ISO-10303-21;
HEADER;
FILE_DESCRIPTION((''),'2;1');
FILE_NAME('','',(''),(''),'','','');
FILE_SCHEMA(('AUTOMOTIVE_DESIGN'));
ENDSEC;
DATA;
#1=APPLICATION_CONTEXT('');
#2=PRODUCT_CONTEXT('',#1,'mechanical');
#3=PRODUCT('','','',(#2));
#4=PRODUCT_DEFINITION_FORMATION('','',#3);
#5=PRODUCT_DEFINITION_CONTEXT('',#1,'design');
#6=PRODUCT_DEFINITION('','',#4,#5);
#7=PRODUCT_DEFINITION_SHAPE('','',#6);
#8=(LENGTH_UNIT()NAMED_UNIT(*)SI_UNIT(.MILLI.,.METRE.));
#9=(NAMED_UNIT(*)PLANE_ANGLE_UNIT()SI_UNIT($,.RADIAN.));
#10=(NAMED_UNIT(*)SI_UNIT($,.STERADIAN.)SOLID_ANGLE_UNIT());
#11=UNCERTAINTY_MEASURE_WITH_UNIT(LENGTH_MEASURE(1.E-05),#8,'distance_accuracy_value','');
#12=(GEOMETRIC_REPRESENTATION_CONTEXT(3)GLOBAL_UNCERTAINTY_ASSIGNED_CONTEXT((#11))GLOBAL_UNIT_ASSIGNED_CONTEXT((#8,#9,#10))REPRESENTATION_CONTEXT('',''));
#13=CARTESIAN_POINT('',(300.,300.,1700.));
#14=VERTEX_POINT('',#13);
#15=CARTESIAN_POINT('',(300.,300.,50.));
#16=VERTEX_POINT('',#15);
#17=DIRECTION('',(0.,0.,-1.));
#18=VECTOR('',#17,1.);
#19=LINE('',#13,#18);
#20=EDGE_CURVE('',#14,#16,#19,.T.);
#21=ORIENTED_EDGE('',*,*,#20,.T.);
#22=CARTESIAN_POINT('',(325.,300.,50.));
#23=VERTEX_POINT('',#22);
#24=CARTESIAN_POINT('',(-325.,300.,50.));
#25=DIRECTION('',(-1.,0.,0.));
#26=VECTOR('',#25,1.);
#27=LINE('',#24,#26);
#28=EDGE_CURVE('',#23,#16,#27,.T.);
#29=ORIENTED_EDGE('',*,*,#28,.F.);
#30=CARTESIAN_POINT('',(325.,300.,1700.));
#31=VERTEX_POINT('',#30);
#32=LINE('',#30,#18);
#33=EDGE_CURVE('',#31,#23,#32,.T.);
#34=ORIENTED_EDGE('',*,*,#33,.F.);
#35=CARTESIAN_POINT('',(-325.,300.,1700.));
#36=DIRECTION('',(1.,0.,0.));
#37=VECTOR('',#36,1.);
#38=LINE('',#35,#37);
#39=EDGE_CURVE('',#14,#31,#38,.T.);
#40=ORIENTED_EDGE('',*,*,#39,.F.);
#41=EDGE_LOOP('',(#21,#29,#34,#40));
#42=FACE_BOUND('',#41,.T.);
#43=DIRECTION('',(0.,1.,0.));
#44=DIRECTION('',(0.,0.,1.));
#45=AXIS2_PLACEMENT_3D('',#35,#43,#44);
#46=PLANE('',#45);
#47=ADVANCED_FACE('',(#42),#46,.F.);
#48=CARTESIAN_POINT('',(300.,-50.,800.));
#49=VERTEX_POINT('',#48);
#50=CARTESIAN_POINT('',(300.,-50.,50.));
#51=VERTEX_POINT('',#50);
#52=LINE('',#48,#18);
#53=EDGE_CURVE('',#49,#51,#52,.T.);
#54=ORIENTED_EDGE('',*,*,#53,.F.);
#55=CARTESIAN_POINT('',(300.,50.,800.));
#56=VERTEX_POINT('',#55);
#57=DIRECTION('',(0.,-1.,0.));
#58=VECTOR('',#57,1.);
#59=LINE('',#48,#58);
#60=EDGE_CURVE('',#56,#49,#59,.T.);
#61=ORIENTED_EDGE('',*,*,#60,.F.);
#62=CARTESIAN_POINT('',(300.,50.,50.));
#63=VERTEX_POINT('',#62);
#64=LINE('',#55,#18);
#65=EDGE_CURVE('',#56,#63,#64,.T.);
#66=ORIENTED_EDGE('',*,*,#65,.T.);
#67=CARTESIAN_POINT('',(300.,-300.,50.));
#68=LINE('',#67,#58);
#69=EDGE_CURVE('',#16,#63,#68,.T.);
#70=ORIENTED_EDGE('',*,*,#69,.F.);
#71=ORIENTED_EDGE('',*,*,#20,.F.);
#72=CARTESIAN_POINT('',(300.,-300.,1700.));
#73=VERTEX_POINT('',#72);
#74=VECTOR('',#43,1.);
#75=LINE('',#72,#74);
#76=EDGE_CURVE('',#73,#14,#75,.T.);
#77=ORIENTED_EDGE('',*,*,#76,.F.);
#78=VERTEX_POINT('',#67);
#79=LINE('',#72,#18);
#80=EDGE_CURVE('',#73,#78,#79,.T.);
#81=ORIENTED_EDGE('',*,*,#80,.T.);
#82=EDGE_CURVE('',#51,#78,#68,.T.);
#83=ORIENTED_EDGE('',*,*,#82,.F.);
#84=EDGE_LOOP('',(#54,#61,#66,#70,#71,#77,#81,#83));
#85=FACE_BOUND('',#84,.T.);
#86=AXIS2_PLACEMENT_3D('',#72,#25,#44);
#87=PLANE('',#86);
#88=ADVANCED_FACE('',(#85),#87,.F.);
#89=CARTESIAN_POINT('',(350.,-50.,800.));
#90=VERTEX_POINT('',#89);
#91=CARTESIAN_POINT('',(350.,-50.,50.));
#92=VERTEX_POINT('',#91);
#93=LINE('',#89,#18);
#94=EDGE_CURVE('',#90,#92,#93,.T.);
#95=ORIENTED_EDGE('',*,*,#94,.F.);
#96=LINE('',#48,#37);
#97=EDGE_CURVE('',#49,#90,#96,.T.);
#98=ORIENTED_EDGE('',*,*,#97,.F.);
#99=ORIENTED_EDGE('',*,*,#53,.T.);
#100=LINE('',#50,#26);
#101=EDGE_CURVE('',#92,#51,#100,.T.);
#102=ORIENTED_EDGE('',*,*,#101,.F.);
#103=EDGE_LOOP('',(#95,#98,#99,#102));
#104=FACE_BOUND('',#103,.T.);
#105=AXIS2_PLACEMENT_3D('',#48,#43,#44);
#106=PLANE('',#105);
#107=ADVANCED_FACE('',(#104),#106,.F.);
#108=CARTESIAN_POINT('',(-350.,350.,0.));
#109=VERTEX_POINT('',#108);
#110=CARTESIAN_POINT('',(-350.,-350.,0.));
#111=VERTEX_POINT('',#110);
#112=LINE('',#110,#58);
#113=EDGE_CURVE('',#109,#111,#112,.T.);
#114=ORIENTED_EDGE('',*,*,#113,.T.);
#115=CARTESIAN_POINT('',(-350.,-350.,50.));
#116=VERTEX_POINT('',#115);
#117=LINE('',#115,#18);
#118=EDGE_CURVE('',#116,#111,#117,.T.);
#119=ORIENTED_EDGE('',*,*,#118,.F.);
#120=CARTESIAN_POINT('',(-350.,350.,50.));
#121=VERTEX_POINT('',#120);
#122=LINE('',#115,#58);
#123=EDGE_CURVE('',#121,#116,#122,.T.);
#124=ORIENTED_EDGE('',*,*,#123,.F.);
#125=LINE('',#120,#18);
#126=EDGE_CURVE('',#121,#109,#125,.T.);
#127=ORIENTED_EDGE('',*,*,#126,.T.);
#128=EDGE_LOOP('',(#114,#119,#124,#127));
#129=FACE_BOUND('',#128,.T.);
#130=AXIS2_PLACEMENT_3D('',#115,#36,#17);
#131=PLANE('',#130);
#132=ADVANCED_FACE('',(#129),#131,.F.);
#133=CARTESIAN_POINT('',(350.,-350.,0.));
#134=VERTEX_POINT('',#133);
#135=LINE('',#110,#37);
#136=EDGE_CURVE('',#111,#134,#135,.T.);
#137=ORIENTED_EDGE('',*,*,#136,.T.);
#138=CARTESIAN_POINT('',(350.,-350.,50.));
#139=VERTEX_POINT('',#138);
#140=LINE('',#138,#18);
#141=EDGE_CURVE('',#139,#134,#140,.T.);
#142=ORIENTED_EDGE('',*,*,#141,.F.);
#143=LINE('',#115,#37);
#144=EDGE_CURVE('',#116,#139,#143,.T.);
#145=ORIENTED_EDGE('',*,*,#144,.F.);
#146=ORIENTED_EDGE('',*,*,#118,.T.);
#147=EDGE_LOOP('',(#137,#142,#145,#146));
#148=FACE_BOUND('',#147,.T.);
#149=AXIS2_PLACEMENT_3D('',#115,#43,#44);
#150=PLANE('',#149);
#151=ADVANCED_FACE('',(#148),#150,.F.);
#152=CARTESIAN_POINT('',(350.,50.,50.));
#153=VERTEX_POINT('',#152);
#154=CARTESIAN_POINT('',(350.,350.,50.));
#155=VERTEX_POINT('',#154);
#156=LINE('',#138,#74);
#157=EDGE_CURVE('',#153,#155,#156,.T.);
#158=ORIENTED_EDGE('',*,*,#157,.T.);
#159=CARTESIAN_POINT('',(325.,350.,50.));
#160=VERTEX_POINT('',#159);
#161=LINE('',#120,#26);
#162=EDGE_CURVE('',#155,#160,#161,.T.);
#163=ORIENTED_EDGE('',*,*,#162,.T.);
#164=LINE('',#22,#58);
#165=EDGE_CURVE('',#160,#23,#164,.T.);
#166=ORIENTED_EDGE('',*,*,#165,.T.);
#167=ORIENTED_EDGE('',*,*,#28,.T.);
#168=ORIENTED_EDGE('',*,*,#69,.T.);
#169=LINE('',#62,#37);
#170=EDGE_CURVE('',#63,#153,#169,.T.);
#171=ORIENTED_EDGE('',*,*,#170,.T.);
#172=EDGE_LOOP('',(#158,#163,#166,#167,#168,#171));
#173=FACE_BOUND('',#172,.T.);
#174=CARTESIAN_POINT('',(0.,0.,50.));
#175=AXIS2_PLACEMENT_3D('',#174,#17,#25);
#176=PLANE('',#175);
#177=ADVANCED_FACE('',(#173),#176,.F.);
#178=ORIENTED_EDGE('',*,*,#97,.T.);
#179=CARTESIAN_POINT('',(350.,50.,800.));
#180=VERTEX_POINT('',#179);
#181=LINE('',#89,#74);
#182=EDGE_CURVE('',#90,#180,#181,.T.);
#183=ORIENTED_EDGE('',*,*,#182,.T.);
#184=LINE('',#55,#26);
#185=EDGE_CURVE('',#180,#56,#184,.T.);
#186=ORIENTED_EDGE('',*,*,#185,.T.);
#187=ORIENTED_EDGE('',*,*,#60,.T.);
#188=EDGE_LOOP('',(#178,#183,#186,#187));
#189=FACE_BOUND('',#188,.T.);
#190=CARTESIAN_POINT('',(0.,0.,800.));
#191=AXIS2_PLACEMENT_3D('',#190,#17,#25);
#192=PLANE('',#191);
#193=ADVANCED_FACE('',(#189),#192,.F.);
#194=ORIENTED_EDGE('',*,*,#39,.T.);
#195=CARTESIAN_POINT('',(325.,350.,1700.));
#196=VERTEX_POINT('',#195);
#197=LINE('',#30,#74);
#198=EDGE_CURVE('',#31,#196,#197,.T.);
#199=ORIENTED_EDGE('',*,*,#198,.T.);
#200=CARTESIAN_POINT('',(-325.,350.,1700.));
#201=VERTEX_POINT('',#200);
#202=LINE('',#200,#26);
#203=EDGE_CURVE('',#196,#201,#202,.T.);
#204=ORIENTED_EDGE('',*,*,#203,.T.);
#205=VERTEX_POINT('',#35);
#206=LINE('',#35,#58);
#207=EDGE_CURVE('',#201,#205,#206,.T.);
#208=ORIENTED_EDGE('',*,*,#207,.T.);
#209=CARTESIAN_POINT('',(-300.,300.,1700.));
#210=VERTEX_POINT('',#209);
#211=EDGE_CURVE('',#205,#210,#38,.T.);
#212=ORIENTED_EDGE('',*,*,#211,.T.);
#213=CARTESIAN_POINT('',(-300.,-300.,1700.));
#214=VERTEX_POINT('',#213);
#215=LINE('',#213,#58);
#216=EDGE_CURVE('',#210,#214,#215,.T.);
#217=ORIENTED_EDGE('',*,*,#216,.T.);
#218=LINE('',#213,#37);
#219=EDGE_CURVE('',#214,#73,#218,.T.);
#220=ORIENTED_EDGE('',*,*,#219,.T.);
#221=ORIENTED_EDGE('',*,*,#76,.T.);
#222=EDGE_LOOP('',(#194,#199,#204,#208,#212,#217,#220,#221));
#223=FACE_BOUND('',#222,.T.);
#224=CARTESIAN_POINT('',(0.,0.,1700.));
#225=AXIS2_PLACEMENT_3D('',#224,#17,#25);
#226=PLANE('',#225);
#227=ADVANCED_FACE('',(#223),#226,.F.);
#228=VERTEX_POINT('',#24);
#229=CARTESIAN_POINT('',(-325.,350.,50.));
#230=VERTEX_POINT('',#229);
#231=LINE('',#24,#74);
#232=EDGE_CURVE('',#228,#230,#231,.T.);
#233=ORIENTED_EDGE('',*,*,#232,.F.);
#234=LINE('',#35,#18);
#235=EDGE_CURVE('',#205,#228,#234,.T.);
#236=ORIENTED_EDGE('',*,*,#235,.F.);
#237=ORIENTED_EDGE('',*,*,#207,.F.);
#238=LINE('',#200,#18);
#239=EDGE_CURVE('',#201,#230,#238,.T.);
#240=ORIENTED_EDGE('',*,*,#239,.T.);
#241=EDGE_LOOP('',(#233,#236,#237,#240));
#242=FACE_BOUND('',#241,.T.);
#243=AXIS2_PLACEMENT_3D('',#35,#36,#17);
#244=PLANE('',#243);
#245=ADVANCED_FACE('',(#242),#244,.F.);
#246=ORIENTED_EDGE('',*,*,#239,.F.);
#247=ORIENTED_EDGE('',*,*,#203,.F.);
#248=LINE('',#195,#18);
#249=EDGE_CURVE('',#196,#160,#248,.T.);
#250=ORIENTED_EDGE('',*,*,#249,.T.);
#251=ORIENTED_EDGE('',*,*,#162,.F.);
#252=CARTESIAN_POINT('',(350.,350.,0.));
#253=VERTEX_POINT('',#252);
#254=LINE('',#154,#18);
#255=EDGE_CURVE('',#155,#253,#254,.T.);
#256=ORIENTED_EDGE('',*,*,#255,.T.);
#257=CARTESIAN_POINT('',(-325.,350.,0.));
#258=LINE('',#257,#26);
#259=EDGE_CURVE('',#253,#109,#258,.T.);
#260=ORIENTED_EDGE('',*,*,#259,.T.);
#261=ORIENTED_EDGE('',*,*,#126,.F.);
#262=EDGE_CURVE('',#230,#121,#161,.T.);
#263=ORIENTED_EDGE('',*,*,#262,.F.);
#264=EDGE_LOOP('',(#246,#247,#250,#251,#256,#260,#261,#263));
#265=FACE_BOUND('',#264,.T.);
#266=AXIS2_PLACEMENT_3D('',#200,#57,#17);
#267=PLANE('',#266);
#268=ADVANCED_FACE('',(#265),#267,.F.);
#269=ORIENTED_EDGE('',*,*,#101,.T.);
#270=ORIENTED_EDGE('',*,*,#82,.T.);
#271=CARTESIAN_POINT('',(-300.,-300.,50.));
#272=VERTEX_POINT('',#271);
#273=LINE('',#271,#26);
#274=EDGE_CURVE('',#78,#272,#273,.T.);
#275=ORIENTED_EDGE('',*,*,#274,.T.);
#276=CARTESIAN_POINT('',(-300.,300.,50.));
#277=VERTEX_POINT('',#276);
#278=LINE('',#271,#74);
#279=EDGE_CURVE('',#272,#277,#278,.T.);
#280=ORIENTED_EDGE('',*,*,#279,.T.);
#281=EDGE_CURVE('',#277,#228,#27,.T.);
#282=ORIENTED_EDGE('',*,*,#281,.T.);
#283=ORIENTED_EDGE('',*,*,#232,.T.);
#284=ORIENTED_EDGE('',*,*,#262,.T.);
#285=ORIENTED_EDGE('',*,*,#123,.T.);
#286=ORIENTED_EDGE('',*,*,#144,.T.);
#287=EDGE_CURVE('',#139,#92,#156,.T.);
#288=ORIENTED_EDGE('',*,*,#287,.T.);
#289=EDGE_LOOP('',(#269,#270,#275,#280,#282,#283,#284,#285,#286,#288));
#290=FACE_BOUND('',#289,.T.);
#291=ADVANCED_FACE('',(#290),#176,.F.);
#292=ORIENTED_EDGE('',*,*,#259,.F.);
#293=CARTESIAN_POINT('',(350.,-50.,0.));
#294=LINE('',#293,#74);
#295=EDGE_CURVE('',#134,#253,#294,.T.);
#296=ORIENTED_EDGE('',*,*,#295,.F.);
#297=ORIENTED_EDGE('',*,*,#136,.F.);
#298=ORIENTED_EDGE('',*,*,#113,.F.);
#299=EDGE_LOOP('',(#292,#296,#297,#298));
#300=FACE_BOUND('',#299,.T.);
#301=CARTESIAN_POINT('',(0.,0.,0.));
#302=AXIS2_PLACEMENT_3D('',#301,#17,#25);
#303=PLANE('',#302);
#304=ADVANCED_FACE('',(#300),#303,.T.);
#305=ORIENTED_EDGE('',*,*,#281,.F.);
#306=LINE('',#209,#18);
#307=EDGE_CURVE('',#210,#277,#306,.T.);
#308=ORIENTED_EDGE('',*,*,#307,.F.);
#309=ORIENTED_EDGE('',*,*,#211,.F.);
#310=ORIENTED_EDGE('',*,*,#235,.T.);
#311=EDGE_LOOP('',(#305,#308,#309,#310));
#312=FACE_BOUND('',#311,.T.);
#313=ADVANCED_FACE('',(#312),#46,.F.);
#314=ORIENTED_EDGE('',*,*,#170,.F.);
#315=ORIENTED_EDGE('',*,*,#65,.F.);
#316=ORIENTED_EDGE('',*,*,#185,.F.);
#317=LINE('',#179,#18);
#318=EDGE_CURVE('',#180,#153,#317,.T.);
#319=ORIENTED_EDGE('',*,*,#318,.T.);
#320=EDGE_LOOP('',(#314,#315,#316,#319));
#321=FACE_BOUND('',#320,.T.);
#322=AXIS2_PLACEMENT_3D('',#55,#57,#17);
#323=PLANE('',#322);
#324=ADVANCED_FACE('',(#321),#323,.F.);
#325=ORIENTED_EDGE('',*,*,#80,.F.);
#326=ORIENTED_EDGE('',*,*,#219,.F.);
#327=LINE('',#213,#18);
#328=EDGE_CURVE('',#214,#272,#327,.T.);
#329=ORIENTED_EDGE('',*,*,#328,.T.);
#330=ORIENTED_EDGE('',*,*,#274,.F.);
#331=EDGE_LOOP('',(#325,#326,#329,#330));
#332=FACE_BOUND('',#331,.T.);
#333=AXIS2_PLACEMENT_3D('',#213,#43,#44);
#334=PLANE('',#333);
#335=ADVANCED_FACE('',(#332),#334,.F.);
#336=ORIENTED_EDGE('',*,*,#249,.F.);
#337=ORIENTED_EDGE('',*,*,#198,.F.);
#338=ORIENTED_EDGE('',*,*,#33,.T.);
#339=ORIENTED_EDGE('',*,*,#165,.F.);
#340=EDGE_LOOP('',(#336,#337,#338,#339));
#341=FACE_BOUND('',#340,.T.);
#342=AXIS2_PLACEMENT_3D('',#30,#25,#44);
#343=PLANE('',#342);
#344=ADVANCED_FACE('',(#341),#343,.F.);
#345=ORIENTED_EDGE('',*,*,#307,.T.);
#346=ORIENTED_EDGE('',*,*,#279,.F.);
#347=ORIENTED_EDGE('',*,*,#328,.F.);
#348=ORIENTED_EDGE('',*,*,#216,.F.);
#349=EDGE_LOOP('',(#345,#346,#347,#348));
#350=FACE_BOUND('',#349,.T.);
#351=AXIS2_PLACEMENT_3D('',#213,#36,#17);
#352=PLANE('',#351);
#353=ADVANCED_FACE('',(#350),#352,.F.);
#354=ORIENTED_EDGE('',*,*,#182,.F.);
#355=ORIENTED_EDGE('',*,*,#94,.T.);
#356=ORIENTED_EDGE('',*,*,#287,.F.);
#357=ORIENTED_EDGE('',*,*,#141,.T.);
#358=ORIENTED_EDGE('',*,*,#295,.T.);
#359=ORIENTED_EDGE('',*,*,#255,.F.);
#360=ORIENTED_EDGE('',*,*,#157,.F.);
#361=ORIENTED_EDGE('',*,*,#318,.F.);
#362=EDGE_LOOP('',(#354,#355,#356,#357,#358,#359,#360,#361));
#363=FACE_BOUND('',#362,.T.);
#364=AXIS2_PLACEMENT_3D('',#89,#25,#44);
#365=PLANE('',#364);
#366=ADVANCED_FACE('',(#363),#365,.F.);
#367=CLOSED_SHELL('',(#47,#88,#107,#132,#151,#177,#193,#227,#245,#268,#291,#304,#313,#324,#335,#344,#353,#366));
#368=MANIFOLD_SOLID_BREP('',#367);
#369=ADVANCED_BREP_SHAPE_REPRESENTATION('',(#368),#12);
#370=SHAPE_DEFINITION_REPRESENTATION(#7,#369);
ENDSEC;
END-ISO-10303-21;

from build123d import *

# Parameters (mm, degrees)
SKETCH_1_W      = 600
SKETCH_1_H      = 600
EXTRUDE_1_DEPTH = 1700
SKETCH_2_W      = 650
SKETCH_2_H      = 50
EXTRUDE_2_DEPTH = 1700
SKETCH_3_W      = 50
SKETCH_3_H      = 100
EXTRUDE_3_DEPTH = 800
SKETCH_4_W      = 700
SKETCH_4_H      = 700
EXTRUDE_4_DEPTH = 50


with BuildPart() as part:
    # 草图1 → 凸台-拉伸1 (new body)
    with BuildSketch(Plane.XY):
        Rectangle(SKETCH_1_W, SKETCH_1_H)
    extrude(amount=EXTRUDE_1_DEPTH)

    # 草图2 → 凸台-拉伸2 (add)
    with BuildSketch(Plane.XY):
        with Locations((0, 325)):
            Rectangle(SKETCH_2_W, SKETCH_2_H)
    extrude(amount=EXTRUDE_2_DEPTH)

    # 草图3 → 凸台-拉伸3 (add)
    with BuildSketch(Plane.XY):
        with Locations((325, 0)):
            Rectangle(SKETCH_3_W, SKETCH_3_H)
    extrude(amount=EXTRUDE_3_DEPTH)

    # 草图4 → 凸台-拉伸4 (add)
    with BuildSketch(Plane.XY):
        Rectangle(SKETCH_4_W, SKETCH_4_H)
    extrude(amount=EXTRUDE_4_DEPTH)


solid = part.part
